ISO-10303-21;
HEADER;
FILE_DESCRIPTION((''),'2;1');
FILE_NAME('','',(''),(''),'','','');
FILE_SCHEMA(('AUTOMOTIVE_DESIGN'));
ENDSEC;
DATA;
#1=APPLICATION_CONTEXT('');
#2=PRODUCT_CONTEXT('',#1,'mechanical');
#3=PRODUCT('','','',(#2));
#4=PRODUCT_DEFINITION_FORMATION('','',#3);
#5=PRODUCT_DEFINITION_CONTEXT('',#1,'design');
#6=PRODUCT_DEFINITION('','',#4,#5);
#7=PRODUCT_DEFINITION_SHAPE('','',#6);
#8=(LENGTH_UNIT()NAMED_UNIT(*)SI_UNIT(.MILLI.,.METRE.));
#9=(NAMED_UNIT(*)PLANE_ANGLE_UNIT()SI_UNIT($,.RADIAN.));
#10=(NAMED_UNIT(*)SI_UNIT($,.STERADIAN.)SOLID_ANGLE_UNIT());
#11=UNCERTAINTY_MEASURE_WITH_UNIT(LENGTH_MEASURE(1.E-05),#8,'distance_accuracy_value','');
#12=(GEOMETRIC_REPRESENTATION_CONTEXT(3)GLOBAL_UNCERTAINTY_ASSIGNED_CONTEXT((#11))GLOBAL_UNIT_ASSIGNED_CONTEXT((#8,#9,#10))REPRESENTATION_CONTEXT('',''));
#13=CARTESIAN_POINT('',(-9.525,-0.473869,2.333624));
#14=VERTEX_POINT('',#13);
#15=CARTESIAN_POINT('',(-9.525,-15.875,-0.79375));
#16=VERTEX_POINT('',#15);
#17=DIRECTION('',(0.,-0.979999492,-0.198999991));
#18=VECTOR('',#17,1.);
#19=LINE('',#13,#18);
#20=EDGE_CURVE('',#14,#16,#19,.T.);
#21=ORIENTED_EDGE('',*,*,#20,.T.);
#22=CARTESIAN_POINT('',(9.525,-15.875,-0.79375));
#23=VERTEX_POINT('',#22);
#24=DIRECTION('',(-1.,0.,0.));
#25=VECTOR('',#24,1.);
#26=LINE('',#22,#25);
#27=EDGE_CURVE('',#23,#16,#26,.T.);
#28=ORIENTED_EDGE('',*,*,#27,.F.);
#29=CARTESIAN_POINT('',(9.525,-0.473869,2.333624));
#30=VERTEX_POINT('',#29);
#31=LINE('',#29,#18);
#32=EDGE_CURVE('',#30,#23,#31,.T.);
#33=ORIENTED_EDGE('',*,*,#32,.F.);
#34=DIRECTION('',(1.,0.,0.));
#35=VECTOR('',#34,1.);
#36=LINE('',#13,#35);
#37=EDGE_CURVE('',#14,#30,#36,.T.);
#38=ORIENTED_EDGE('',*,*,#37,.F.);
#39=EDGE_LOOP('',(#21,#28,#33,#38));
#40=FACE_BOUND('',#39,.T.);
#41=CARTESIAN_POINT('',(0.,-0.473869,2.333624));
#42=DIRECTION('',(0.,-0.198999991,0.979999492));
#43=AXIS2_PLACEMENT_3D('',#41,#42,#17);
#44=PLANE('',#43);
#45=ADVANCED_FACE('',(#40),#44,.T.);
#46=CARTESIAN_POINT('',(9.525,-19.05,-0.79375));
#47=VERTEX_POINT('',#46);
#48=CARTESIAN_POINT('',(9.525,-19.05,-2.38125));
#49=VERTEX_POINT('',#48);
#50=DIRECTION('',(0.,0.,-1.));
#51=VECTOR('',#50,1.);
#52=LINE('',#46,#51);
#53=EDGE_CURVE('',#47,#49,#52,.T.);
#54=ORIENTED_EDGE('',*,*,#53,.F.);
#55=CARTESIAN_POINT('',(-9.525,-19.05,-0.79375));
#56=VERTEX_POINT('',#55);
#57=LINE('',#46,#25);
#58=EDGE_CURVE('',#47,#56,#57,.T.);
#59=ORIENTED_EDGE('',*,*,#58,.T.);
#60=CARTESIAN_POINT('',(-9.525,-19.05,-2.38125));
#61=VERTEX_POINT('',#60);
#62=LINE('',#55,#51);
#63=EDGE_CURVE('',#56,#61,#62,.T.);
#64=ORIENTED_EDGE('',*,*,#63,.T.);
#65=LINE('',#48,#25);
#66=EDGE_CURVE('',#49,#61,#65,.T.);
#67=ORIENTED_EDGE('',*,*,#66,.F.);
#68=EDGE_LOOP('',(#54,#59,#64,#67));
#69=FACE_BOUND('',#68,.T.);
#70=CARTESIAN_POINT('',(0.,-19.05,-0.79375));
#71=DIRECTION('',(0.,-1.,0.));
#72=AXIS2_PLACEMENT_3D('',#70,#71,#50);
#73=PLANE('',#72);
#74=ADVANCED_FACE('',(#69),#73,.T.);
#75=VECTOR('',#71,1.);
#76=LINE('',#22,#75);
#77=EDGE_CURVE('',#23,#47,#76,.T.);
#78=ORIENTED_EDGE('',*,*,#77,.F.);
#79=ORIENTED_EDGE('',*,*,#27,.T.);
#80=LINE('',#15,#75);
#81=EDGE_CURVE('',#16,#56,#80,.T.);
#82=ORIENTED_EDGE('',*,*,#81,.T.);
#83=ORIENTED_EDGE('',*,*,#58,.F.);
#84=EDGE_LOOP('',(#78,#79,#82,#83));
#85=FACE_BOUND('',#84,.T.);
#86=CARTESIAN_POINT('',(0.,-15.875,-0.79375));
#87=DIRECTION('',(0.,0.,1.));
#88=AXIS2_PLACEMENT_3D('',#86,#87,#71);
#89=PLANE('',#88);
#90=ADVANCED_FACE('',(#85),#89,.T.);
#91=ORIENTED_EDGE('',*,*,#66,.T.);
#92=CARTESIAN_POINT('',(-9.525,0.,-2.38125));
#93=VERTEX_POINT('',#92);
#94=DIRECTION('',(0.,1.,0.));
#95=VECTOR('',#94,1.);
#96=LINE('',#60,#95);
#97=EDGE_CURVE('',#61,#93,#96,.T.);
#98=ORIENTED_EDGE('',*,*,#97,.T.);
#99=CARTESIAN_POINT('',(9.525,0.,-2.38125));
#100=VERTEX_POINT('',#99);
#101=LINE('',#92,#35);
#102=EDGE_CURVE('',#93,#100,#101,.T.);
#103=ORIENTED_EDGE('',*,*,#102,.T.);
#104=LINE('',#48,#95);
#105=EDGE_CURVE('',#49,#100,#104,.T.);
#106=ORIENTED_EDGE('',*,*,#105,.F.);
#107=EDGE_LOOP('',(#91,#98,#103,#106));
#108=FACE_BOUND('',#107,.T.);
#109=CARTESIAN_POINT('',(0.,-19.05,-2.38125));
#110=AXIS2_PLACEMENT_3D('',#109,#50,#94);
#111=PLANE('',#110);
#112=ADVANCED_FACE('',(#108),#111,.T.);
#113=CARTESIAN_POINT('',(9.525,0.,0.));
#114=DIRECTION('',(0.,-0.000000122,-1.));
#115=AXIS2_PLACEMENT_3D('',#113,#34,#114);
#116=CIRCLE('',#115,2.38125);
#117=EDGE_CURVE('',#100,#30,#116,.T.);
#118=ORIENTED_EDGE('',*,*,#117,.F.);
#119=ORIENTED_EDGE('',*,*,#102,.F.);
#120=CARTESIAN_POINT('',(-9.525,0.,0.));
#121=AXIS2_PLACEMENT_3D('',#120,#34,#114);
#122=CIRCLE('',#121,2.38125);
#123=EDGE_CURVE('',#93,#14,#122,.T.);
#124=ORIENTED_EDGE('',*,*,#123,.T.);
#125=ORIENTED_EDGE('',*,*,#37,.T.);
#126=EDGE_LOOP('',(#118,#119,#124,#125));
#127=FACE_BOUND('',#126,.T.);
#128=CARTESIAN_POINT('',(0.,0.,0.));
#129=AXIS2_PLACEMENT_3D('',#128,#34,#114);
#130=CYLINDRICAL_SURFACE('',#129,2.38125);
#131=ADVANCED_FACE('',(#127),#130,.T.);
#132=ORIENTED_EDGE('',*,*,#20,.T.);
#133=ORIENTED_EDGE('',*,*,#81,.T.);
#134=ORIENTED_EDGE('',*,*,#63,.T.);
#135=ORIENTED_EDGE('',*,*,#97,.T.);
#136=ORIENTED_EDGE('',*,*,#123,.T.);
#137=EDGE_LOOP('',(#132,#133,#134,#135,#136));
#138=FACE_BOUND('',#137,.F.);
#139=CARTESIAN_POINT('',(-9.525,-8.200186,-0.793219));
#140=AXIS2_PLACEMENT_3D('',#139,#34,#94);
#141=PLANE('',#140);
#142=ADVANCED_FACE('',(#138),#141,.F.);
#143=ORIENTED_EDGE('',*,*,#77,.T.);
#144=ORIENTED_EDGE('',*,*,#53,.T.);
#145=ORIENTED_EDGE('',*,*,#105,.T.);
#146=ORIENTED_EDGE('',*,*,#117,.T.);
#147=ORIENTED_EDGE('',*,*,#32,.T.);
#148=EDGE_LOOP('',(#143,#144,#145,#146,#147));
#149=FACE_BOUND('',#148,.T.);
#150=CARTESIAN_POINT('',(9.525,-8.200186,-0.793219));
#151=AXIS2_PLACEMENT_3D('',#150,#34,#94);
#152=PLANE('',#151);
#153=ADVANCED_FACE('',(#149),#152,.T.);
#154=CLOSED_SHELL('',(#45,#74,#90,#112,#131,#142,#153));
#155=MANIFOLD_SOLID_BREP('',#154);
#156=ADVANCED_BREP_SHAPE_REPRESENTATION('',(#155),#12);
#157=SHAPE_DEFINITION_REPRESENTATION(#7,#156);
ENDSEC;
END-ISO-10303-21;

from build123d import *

# Parameters (mm, degrees)
F1_DEPTH = 9.525


with BuildPart() as f1:
    # F0 (on Right) → F1 (new body, symmetric)
    with BuildSketch(Plane.YZ):
        with BuildLine():
            Line((-19.05, -2.38125), (0, -2.38125))
            ThreePointArc((0, -2.38125), (2.369314, 0.238128), (-0.473869, 2.333624))
            Line((-0.473869, 2.333624), (-15.875, -0.79375))
            Line((-15.875, -0.79375), (-19.05, -0.79375))
            Line((-19.05, -0.79375), (-19.05, -2.38125))
        make_face()
    extrude(amount=F1_DEPTH, both=True)


solid = f1.part
